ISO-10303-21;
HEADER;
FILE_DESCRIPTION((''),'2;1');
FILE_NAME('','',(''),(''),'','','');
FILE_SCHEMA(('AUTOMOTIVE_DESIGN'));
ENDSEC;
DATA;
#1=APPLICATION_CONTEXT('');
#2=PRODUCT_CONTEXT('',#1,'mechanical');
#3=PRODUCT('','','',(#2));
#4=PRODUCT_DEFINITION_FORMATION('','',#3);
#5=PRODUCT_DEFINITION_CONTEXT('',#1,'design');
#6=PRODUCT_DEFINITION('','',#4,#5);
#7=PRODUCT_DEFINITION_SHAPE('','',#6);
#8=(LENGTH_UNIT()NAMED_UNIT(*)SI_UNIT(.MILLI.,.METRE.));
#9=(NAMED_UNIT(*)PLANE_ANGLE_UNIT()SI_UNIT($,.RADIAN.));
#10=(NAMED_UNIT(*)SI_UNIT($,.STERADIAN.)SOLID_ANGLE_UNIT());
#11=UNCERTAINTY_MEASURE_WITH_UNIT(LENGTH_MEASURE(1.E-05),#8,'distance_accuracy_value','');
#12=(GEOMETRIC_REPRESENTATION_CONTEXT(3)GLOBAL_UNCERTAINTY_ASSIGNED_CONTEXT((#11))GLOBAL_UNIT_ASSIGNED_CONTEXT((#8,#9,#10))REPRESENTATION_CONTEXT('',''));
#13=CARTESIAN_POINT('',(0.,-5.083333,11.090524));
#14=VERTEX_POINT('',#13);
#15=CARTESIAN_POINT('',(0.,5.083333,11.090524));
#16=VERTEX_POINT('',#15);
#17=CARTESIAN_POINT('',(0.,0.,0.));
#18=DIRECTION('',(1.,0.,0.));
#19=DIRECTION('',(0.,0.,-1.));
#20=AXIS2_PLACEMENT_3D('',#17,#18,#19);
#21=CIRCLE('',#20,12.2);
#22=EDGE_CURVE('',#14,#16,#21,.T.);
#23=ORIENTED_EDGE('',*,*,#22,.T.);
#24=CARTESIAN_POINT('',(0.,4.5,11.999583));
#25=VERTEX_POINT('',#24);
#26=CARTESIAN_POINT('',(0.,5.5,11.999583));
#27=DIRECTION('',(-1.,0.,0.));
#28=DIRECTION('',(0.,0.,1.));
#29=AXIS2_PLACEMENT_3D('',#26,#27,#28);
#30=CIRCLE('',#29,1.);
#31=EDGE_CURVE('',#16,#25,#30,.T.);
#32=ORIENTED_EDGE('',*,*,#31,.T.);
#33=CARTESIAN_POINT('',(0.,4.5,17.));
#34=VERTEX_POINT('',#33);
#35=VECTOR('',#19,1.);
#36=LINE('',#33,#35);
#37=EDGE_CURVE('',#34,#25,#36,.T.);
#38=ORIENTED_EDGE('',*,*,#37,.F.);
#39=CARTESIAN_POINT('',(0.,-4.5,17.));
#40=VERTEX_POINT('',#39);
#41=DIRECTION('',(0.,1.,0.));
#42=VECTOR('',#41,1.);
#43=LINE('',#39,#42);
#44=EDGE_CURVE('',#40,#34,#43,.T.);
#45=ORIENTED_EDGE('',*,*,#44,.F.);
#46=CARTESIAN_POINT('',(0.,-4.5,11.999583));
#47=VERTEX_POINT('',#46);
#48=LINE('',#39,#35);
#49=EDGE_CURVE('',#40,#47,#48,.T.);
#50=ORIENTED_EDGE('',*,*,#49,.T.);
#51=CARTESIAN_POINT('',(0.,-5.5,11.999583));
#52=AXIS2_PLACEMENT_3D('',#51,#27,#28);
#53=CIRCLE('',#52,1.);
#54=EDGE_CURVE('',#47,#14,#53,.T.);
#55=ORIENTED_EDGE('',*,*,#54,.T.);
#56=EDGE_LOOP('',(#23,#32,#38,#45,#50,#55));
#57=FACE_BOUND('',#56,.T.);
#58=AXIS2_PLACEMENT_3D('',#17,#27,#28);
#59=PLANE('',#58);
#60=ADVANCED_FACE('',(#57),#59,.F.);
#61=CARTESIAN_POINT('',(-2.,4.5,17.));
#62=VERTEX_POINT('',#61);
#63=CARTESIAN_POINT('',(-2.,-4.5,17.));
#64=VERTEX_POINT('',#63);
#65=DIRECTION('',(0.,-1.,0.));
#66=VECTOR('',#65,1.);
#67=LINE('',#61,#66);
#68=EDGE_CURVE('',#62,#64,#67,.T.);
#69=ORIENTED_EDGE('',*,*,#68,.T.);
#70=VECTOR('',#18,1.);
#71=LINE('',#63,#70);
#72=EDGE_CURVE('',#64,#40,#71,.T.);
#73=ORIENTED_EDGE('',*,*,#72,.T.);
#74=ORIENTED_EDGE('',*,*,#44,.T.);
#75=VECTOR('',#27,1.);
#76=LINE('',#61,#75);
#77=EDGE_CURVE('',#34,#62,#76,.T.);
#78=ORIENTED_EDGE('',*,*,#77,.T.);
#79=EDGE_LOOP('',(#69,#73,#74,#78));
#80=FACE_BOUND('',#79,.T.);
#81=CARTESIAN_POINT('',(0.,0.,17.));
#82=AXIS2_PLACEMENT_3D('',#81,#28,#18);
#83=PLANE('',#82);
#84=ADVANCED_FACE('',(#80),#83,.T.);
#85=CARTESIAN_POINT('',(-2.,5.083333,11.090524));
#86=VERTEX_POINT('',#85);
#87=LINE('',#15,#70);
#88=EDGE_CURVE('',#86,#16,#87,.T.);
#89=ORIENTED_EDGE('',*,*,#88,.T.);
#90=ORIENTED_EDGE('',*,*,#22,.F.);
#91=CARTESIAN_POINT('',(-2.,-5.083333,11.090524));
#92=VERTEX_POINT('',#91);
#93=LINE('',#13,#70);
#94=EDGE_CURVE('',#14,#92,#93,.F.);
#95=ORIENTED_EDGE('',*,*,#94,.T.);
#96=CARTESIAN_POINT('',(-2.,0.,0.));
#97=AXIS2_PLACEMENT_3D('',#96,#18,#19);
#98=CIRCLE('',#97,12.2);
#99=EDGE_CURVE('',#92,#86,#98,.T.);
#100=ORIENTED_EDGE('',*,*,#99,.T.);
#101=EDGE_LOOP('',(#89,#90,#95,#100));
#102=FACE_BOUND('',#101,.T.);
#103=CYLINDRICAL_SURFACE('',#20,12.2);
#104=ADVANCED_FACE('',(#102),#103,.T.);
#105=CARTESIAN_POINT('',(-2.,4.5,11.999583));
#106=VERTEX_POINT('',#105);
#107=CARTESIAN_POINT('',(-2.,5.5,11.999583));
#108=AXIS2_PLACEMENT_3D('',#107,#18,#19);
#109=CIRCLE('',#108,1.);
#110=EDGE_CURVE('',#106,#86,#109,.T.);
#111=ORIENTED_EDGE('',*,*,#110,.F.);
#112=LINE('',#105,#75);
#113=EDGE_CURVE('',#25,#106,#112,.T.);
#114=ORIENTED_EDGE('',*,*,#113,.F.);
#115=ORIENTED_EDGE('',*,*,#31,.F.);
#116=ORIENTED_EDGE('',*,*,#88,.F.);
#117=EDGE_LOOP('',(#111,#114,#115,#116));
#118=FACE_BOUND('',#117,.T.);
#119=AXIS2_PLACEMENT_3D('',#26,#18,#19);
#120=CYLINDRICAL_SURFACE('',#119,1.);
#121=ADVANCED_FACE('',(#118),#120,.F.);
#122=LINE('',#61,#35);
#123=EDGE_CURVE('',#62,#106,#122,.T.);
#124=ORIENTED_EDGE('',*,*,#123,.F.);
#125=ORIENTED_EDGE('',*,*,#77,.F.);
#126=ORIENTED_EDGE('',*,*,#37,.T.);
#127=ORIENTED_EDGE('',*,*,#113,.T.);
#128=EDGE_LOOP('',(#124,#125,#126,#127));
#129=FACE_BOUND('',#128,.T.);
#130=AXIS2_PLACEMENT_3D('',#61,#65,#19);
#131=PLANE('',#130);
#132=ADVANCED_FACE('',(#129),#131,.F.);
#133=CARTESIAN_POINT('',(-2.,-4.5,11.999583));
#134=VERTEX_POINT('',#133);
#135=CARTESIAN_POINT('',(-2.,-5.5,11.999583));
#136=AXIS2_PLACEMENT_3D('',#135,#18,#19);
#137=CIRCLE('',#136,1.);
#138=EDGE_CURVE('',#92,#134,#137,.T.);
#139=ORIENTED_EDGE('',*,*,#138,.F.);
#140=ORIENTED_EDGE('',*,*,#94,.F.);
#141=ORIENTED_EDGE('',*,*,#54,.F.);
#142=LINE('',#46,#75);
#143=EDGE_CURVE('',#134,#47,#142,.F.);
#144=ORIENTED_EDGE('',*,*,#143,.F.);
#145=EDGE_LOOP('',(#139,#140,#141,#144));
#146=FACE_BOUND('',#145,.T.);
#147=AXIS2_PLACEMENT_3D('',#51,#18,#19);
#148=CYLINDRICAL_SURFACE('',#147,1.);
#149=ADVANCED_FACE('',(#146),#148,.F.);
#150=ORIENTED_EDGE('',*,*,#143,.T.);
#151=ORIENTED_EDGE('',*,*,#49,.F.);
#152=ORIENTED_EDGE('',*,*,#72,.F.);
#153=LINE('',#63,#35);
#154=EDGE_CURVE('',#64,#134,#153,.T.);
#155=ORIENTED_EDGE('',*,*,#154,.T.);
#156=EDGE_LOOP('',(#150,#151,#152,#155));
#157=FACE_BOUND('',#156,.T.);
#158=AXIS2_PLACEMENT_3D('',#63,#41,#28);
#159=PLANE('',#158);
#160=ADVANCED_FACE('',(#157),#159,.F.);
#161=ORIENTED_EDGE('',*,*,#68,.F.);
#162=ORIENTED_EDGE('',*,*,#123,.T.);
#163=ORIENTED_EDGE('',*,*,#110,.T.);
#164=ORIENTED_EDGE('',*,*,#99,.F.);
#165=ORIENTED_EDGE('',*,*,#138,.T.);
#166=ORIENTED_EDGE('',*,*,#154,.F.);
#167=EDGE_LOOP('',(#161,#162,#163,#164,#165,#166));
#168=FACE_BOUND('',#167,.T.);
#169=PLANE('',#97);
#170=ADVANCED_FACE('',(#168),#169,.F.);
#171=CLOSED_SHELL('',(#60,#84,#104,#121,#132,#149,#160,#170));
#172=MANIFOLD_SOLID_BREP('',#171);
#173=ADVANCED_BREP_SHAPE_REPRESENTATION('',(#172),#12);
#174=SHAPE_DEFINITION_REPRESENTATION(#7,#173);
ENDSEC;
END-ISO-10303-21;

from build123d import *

# Parameters (mm, degrees)
SKETCH_1_W      = 2
SKETCH_1_H      = 12.2
SKETCH_2_W      = 2
SKETCH_2_H      = 9
EXTRUDE_1_DEPTH = 17
FILLET_3_R      = 1


with BuildPart() as part:
    # 草图1 → 旋转1 (revolve)
    with BuildSketch(Plane(origin=(0, 0, 0), x_dir=(1, 0, 0), z_dir=(0, 1, 0))):
        with Locations((-1, -6.1)):
            Rectangle(SKETCH_1_W, SKETCH_1_H)
    revolve(axis=Axis((0, 0, 0), (-1, 0, 0)))

    # 草图2 → 凸台-拉伸1 (add)
    with BuildSketch(Plane.XY):
        with Locations((-1, 0)):
            Rectangle(SKETCH_2_W, SKETCH_2_H)
    extrude(amount=EXTRUDE_1_DEPTH)

    # 圆角3
    fillet_3_edges = [part.edges().sort_by_distance(p)[0] for p in [
        (-1, -4.5, 11.339753084),
        (-1, 4.5, 11.339753084),
    ]]
    fillet(fillet_3_edges, radius=FILLET_3_R)


solid = part.part
